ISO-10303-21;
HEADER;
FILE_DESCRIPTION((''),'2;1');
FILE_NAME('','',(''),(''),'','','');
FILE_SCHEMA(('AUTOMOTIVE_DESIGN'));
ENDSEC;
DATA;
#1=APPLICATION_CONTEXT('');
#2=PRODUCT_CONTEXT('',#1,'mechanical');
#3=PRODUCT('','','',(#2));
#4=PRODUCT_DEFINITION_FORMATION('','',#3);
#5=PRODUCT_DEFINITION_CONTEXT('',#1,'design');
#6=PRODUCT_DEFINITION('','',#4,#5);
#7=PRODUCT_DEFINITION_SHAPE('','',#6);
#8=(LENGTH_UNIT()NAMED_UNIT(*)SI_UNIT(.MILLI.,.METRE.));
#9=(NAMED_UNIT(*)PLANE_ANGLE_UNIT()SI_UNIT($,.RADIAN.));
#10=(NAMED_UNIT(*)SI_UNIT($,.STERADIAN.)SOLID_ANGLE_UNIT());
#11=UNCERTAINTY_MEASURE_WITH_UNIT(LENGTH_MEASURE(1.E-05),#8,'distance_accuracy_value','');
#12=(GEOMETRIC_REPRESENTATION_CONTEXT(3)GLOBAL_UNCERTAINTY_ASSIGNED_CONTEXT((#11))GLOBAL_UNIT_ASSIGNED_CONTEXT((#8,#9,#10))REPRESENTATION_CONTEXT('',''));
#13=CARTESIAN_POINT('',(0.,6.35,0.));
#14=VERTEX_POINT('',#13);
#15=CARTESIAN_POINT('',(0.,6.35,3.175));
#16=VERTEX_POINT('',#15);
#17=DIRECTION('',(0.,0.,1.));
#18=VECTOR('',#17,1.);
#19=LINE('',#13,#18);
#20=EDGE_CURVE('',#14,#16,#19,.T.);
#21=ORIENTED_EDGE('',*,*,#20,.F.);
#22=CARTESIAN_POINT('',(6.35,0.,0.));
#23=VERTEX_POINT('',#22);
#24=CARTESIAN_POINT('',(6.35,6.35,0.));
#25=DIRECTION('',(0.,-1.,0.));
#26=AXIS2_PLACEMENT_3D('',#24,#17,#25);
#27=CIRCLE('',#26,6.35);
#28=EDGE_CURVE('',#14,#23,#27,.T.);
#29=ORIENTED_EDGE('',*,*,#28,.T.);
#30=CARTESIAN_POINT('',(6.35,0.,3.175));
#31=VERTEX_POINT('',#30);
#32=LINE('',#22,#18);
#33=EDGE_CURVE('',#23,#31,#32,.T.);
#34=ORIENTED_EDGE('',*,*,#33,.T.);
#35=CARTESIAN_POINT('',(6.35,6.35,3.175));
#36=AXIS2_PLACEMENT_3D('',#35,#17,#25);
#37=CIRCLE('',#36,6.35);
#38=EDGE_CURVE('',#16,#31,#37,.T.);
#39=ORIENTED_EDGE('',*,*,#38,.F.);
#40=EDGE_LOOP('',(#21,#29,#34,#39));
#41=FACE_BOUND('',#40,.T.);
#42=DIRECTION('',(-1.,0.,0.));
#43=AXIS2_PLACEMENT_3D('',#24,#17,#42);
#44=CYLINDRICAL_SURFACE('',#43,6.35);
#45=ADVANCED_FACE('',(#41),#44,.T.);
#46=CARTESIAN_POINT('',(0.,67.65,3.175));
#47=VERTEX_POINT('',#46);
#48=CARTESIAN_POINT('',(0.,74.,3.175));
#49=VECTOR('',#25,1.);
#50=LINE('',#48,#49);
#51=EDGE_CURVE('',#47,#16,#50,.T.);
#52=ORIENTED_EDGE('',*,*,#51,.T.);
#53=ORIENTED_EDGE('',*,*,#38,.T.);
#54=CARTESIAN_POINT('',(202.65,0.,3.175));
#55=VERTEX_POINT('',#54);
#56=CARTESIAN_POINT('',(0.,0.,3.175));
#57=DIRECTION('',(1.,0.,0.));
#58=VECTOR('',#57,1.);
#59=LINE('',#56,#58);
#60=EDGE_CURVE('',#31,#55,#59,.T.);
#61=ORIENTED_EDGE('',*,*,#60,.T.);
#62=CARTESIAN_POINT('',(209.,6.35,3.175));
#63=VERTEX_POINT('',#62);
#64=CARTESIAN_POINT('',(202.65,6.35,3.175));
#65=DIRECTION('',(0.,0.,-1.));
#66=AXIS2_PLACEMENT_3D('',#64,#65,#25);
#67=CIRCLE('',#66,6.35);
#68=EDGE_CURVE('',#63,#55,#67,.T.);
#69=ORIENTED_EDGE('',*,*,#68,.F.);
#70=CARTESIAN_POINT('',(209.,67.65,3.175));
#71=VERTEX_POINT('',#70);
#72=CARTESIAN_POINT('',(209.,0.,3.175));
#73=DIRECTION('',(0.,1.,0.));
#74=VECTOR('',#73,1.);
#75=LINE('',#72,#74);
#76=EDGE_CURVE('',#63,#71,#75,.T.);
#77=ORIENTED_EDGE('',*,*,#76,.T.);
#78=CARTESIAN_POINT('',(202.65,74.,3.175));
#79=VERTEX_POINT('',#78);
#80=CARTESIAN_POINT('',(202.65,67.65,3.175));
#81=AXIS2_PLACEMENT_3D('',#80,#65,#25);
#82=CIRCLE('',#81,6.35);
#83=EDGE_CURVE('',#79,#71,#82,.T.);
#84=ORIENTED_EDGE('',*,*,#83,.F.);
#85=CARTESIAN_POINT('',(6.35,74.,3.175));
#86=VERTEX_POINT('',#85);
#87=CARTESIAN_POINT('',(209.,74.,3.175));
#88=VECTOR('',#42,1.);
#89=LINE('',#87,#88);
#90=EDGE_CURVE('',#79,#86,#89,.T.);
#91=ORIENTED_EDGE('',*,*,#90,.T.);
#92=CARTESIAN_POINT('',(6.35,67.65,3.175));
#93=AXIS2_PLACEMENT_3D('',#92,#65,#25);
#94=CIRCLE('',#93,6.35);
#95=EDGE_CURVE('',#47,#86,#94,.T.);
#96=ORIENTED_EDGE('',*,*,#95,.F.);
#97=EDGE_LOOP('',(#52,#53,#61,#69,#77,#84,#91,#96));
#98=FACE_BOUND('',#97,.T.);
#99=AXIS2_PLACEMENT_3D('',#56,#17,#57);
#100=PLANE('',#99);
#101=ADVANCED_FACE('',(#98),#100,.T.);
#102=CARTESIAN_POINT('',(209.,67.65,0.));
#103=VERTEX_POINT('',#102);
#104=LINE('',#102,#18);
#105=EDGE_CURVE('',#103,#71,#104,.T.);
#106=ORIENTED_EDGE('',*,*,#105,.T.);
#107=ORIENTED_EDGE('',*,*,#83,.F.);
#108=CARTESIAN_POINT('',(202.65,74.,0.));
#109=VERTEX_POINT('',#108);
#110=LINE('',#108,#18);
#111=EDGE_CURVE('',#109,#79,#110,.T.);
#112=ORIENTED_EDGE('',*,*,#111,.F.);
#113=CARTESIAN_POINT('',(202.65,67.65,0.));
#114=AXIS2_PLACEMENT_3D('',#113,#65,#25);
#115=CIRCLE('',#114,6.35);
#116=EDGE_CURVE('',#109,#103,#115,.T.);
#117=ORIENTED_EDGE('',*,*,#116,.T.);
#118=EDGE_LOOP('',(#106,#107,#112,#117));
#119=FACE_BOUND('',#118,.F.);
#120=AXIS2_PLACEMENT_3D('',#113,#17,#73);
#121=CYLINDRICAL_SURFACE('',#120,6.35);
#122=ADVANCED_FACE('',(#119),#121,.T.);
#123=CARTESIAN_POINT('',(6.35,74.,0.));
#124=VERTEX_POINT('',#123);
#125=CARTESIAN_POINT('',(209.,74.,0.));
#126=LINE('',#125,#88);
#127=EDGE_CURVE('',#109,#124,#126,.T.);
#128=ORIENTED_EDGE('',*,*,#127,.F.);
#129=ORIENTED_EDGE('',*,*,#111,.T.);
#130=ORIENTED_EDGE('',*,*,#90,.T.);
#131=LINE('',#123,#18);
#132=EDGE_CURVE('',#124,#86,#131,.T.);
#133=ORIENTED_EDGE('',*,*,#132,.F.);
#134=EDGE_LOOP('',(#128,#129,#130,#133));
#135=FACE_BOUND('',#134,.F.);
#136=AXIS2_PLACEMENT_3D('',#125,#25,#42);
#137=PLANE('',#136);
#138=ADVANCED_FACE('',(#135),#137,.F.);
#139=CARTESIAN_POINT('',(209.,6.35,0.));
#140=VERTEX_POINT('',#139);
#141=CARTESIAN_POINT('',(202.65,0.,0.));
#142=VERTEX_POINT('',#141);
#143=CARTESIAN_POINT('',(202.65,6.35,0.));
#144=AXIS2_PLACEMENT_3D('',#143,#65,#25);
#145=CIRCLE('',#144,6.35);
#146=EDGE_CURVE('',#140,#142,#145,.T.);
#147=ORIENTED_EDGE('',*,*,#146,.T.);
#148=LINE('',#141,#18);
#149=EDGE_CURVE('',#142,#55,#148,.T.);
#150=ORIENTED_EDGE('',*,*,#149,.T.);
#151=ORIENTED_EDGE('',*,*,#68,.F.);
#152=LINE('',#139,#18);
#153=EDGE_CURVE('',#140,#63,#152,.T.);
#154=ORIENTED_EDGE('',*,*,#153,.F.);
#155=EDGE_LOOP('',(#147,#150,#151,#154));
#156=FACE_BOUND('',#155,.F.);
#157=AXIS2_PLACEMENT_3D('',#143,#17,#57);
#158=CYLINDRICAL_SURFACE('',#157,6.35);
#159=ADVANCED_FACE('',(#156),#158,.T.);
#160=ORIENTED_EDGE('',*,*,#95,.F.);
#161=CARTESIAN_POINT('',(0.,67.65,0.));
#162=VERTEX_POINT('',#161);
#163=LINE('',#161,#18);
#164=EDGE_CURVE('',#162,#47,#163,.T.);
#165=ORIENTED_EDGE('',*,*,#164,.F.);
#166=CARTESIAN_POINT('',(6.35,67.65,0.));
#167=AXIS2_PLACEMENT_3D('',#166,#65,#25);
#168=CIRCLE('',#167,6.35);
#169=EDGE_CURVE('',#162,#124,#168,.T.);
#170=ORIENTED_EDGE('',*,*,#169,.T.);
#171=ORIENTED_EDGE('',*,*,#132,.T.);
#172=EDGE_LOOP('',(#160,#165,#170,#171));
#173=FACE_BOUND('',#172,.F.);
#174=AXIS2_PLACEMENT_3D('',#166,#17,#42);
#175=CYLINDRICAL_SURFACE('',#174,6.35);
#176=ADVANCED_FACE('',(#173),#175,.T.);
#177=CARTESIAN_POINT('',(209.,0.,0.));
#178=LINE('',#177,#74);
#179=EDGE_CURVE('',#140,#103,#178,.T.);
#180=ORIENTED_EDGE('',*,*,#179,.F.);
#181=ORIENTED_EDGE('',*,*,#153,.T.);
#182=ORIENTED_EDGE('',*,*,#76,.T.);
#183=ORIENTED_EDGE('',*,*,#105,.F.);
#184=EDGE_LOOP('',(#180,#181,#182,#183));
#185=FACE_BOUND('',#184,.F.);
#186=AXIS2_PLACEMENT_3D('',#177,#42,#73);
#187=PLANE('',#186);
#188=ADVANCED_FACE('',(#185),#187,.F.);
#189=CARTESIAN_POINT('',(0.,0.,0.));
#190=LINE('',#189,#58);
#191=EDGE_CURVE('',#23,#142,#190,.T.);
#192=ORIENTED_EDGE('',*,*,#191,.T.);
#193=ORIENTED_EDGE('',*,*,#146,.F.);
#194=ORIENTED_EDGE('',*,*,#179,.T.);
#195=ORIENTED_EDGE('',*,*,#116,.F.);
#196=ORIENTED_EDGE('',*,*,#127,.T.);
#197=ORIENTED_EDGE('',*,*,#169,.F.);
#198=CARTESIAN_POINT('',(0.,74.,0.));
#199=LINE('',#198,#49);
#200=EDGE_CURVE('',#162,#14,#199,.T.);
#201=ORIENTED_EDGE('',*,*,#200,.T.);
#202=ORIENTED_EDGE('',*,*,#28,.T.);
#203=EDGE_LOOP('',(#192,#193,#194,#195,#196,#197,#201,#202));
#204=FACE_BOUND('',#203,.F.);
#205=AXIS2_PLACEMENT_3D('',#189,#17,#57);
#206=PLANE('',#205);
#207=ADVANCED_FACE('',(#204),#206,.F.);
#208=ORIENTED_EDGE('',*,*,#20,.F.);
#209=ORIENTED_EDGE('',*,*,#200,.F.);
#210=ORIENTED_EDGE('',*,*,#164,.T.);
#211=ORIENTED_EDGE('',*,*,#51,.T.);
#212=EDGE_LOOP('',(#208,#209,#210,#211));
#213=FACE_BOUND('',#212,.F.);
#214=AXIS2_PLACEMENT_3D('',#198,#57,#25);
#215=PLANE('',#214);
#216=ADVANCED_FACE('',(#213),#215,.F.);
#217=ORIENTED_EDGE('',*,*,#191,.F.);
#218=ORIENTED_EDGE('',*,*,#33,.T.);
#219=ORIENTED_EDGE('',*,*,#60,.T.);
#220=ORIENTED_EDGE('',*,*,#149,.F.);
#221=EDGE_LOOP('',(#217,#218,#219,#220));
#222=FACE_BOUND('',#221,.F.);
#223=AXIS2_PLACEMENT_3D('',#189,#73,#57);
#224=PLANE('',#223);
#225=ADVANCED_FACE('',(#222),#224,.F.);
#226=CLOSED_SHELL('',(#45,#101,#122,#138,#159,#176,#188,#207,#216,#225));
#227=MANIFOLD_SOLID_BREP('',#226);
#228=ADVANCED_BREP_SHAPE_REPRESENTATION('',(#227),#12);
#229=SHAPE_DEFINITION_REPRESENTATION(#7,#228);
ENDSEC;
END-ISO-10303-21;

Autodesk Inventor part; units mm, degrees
ref_plane "YZ Plane" through (0, 0, 0) normal (1, 0, 0) x (0, 1, 0)
ref_plane "XZ Plane" through (0, 0, 0) normal (0, 1, 0) x (-1, 0, 0)
ref_plane "XY Plane" through (0, 0, 0) normal (0, 0, 1) x (1, 0, 0)
sketch "Sketch1" plane through (0, 0, 0) normal (0, 0, 1) x (1, 0, 0)
  line L0 (0, 0) -> (209, 0)
  line L1 (209, 0) -> (209, 74)
  line L2 (209, 74) -> (0, 74)
  line L3 (0, 74) -> (0, 0)
  dimension "d0" = 74
  dimension "d1" = 209
extrude "Extrusion1" add sketch "Sketch1" along normal blind 3.175
fillet "Fillet1" radius 6.35 4 edges at (209, 74, 1.5875) (0, 74, 1.5875) (209, 0, 1.5875) (0, 0, 1.5875)
properties part number "Inner Side Panel" material "PC/ABS Plastic"
